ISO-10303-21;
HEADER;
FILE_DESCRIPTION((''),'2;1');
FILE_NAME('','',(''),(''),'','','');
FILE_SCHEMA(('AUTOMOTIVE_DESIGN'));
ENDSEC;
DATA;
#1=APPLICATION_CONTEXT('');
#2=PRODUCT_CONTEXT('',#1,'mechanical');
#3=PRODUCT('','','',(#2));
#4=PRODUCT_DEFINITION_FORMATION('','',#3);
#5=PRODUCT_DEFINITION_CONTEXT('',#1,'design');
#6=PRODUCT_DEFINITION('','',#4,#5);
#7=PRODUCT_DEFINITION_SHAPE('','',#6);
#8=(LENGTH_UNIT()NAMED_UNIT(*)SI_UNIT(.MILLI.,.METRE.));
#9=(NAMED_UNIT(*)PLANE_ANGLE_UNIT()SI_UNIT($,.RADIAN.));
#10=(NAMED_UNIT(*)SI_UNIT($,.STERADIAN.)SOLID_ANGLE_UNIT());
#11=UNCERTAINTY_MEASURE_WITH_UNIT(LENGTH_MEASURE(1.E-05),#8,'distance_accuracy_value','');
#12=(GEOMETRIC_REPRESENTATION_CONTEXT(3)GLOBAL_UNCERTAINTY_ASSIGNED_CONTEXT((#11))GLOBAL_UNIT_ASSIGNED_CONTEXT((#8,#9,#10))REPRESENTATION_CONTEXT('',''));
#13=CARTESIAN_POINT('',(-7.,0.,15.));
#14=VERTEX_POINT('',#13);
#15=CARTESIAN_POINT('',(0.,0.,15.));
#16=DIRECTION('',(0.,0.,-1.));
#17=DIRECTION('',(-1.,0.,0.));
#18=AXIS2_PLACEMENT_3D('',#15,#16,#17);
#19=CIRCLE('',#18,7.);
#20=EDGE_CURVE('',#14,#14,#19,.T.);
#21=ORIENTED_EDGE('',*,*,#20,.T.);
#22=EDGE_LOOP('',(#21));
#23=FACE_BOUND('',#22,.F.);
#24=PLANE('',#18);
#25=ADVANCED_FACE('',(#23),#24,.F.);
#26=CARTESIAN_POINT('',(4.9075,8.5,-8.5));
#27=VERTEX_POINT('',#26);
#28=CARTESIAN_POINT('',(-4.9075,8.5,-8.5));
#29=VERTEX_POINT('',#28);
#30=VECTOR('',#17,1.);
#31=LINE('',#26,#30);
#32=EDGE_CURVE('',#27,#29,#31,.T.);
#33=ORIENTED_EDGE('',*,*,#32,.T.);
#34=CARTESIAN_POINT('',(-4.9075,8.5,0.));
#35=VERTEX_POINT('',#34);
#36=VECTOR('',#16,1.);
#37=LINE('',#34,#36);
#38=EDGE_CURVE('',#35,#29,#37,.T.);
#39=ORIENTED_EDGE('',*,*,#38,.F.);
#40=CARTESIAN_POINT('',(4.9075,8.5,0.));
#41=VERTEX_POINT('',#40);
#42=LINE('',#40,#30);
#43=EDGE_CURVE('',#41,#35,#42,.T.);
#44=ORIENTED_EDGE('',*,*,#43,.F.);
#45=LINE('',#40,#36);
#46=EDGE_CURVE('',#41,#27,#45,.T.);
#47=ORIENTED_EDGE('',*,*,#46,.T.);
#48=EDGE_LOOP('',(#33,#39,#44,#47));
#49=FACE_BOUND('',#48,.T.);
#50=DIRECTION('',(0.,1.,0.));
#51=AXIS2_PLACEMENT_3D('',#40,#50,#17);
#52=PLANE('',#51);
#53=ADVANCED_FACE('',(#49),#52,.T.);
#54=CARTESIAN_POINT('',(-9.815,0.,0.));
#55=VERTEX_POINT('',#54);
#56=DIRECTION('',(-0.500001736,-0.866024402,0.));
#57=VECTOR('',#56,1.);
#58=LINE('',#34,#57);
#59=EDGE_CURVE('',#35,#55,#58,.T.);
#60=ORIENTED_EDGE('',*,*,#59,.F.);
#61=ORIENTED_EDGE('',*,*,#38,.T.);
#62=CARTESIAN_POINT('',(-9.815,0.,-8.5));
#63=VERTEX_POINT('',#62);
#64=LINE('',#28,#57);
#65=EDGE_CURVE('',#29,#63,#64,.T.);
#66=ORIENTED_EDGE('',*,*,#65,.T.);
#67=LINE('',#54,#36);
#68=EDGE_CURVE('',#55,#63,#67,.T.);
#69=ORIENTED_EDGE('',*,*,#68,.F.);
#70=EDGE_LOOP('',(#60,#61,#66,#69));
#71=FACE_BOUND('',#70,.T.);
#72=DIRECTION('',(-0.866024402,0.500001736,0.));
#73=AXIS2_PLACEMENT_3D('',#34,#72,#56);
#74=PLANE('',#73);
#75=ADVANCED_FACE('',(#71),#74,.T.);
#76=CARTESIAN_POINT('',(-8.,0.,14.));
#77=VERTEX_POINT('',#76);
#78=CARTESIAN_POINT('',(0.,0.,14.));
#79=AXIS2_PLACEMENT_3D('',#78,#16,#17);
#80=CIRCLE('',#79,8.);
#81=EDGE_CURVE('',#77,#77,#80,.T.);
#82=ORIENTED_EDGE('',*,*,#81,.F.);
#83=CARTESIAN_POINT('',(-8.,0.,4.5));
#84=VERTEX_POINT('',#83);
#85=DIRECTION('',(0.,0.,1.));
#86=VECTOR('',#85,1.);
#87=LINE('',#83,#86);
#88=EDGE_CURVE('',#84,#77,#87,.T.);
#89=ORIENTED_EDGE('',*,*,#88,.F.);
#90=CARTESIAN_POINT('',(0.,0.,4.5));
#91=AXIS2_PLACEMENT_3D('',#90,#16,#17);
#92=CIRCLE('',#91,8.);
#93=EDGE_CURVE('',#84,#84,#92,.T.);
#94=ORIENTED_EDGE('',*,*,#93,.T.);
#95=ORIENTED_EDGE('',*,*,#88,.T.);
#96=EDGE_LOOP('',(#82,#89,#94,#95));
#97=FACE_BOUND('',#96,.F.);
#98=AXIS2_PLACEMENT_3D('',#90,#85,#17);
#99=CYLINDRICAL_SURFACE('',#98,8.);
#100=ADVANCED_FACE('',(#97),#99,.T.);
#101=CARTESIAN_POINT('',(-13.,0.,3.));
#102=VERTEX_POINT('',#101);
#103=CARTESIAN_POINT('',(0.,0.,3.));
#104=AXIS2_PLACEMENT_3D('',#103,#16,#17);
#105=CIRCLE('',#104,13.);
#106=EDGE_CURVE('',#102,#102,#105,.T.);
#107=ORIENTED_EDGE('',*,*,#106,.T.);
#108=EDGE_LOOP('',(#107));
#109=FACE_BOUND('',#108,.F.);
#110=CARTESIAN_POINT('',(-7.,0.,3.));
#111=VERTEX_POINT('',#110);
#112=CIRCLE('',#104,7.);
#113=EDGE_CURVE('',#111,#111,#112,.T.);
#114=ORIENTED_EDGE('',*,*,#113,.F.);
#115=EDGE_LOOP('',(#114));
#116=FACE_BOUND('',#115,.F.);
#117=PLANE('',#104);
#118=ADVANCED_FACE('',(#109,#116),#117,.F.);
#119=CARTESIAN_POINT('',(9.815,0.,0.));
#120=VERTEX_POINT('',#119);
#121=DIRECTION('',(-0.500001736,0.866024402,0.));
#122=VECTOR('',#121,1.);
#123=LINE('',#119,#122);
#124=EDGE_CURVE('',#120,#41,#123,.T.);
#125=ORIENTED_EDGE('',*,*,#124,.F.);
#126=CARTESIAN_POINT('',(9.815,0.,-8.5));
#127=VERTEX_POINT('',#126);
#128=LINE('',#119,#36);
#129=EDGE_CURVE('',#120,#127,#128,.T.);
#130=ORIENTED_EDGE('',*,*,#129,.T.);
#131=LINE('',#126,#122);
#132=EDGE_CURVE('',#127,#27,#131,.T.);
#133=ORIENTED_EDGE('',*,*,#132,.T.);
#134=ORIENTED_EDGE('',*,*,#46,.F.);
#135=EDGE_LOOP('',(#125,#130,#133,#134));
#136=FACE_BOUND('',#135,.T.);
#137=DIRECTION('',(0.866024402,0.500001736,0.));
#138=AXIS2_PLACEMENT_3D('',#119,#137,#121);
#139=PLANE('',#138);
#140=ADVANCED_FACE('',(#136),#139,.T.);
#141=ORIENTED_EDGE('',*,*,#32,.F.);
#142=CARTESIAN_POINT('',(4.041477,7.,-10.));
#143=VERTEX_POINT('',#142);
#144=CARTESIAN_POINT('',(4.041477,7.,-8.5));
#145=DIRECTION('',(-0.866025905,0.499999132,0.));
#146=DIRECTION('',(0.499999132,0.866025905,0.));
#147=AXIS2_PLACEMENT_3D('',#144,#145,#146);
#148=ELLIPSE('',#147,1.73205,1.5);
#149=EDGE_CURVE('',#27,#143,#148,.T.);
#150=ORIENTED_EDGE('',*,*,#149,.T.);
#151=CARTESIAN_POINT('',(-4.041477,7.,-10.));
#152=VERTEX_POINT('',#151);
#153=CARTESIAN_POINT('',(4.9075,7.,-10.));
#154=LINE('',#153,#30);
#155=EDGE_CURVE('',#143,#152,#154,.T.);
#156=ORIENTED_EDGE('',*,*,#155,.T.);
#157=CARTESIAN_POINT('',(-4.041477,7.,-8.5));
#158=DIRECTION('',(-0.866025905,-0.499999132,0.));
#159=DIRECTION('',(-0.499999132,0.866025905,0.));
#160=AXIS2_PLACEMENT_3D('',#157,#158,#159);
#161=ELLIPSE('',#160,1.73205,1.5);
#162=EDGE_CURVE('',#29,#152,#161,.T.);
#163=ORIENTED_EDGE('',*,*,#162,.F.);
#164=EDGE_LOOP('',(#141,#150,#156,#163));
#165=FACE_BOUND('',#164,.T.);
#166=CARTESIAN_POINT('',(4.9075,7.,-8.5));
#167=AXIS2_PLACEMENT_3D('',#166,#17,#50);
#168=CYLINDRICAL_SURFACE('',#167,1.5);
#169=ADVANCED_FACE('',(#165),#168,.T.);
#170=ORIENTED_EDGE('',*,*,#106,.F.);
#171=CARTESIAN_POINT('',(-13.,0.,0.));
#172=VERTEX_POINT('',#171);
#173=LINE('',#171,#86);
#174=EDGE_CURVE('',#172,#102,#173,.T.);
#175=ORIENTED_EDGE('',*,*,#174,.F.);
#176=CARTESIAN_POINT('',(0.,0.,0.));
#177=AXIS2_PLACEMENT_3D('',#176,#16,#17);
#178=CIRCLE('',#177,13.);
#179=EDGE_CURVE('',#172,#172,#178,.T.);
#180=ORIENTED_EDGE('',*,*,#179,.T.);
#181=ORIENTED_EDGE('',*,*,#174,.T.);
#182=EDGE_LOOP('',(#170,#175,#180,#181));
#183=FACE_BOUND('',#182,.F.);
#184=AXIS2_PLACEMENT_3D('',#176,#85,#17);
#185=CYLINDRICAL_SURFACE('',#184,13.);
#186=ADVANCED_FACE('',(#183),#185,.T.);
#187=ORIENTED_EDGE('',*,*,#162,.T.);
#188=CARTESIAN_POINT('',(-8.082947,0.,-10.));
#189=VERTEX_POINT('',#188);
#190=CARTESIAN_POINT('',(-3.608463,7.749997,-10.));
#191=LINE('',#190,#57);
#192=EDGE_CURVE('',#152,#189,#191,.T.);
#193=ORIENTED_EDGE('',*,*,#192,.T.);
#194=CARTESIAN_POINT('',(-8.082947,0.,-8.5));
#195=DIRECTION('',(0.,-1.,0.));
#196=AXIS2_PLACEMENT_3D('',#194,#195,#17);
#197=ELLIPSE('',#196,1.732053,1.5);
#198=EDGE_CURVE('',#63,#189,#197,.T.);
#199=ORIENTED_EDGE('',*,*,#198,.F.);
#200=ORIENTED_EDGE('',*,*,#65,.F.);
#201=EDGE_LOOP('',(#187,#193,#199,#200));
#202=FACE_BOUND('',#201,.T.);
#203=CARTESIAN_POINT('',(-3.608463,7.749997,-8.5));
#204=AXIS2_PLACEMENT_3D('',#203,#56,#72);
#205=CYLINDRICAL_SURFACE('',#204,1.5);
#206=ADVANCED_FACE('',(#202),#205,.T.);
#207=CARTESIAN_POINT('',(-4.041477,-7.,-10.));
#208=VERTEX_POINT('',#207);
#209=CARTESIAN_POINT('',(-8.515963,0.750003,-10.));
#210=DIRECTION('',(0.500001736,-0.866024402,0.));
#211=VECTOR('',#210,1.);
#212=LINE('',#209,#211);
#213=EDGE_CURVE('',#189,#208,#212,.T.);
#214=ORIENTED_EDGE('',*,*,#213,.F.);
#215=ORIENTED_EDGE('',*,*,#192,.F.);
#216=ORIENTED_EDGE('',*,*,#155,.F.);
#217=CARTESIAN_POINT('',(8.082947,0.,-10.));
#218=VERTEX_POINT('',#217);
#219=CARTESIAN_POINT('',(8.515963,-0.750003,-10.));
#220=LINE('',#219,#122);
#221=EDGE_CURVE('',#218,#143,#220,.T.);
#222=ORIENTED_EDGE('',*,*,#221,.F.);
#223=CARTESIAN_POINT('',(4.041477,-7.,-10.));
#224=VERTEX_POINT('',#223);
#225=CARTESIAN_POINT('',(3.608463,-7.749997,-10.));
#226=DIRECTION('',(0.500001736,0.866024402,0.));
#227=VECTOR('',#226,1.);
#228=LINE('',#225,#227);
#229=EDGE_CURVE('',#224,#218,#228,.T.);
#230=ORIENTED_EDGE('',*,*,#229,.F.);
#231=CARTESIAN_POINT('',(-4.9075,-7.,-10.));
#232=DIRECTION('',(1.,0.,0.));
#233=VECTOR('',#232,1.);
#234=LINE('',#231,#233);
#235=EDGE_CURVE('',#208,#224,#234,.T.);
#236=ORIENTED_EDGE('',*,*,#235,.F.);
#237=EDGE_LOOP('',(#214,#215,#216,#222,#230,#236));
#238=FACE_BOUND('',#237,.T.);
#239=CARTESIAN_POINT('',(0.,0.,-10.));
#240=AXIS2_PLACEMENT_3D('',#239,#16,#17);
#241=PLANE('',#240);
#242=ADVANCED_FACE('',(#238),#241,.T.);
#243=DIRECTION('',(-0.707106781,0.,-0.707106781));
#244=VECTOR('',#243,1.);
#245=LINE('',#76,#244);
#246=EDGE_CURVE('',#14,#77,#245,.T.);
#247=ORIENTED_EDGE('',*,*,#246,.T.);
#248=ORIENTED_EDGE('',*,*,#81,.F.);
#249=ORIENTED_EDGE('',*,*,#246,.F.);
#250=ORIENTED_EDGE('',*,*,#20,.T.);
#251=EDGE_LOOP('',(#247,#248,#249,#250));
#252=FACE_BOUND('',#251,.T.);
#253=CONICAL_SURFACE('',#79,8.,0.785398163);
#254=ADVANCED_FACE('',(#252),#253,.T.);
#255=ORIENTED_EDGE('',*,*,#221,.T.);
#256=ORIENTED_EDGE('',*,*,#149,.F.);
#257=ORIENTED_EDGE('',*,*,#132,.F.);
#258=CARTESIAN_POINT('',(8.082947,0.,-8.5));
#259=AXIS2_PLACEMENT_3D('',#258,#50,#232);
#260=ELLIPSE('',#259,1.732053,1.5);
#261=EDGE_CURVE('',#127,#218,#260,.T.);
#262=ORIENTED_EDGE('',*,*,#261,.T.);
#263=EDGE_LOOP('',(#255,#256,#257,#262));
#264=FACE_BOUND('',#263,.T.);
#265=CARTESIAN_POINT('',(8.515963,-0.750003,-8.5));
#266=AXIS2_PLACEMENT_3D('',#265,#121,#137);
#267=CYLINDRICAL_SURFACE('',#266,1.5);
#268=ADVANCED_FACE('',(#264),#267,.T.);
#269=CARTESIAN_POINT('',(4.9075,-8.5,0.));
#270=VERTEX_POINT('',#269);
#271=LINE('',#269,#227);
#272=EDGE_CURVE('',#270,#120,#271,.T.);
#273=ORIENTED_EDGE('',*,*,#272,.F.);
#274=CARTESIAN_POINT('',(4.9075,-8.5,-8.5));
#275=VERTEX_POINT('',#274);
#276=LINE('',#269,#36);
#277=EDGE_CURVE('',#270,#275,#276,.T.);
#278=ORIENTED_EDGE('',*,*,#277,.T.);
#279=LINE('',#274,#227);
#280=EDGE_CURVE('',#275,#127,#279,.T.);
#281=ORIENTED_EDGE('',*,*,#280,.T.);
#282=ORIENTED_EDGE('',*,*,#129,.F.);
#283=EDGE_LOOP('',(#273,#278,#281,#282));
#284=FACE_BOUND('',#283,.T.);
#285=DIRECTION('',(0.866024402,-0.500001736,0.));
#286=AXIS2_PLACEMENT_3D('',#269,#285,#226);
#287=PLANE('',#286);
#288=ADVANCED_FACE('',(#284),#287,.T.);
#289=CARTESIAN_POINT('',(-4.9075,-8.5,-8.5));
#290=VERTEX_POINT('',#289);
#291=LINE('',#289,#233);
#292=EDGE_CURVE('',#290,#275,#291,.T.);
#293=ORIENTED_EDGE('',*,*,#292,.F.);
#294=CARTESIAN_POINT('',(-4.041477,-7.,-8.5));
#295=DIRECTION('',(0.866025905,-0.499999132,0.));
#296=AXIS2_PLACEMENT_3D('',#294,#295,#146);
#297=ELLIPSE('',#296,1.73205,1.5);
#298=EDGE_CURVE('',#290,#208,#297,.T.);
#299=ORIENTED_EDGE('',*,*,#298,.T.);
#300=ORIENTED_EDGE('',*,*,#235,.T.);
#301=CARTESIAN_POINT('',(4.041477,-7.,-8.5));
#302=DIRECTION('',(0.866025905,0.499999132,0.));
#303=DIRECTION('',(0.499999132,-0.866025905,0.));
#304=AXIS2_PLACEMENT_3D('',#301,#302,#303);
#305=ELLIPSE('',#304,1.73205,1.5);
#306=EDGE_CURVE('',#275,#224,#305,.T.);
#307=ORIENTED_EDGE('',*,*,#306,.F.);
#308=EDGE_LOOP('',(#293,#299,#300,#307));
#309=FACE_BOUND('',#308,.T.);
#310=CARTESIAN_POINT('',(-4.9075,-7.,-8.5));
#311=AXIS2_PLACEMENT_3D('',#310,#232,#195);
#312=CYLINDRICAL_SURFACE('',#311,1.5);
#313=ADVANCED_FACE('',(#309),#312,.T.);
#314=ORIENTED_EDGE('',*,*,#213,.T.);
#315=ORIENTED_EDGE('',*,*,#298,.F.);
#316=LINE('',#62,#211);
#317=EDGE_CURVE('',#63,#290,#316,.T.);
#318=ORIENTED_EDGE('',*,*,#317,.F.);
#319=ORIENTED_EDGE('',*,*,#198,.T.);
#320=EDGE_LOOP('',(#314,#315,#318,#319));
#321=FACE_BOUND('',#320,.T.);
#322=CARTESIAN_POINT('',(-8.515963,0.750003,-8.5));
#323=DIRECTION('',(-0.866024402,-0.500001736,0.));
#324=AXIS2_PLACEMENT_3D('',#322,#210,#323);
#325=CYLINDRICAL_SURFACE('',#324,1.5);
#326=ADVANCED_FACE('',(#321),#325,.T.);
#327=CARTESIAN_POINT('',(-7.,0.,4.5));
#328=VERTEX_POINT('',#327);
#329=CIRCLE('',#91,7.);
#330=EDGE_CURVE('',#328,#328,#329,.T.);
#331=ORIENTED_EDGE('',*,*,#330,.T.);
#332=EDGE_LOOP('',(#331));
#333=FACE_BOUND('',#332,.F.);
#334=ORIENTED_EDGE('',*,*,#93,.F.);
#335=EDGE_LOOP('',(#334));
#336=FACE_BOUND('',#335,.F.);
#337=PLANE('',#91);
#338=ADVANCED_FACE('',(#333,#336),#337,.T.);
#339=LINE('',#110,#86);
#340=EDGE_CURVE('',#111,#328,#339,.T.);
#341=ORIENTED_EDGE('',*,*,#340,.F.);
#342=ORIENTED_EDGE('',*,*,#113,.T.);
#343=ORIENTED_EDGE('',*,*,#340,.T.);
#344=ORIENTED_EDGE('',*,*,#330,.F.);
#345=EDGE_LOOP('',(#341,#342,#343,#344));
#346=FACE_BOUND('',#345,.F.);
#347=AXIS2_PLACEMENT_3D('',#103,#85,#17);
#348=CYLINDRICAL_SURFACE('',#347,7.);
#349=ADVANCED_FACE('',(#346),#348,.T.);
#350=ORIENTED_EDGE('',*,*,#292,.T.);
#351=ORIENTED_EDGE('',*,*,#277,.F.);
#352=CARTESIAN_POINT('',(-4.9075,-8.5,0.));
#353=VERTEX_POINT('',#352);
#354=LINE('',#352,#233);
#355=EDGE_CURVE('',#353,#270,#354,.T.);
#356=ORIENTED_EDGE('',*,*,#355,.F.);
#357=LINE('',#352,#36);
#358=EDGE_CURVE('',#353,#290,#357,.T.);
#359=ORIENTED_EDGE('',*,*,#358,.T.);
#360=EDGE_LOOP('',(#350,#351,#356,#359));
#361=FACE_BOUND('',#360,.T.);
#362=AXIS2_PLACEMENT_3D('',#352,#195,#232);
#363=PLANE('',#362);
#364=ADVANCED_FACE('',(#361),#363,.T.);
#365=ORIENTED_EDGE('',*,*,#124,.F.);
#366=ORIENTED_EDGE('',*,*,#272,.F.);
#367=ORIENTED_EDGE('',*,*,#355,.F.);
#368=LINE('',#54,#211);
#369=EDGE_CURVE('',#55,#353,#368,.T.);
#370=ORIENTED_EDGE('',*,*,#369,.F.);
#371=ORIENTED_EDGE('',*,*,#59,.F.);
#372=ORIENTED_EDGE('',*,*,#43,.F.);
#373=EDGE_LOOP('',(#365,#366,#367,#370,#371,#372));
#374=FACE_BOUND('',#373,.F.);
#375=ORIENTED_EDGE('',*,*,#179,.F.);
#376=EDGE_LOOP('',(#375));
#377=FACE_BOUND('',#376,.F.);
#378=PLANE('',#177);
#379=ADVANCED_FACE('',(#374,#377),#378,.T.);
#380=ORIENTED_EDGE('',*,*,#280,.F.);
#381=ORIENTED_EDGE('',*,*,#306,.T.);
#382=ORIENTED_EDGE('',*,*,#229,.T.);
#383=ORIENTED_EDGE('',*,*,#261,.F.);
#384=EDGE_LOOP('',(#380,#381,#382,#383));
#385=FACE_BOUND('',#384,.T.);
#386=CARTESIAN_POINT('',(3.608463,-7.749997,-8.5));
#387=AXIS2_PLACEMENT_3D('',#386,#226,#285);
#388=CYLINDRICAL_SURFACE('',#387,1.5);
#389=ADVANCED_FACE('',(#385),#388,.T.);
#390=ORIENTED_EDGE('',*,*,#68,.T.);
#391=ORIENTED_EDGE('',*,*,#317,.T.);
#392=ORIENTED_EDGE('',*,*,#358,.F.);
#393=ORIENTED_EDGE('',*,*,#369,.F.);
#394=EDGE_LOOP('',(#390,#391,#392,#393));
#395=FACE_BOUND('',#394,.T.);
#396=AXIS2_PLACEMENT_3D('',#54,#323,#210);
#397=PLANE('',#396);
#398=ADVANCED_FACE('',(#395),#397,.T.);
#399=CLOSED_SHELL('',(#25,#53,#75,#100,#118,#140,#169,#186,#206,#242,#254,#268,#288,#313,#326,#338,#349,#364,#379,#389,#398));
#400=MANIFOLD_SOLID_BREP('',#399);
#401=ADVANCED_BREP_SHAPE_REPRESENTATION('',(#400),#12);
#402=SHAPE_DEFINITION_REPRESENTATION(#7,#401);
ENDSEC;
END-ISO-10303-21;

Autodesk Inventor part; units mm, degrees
ref_plane "YZ Plane" through (0, 0, 0) normal (1, 0, 0) x (0, 1, 0)
ref_plane "XZ Plane" through (0, 0, 0) normal (0, 1, 0) x (-1, 0, 0)
ref_plane "XY Plane" through (0, 0, 0) normal (0, 0, 1) x (1, 0, 0)
sketch "草图1" plane through (0, 0, 0) normal (0, 1, 0) x (-1, 0, 0)
  line L0 (0, 0) -> (13, 0)
  line L1 (13, 0) -> (13, 3)
  line L2 (13, 3) -> (7, 3)
  line L3 (7, 3) -> (7, 4.5)
  line L4 (7, 4.5) -> (8, 4.5)
  line L5 (8, 4.5) -> (8, 15)
  line L6 (8, 15) -> (0, 15)
  line L7 (0, 15) -> (0, 0)
  dimension "d0" = 13
  dimension "d2" = 3
  dimension "d3" = 1.5
  dimension "d4" = 1
  dimension "d5" = 8
  dimension "d6" = 12
revolve "旋转1" add sketch "草图1" angle 360 about axis through (0, 0, 15) along (0, 0, -1)
chamfer "倒角1" distance 1 angle 45 1 edges at (8, 0, 15)
thread "螺纹1" size "M16x1.5" class "6g" standard "GB Metric profile" length 20
sketch "草图2" plane through (0, 0, 0) normal (0, 0, -1) x (-1, 0, 0)
  circle A0 centre (0, 0) radius 8 projected
  line L0 (9.815, 0) -> (4.9075, -8.5)
  line L1 (4.9075, -8.5) -> (-4.9075, -8.5)
  line L2 (-4.9075, -8.5) -> (-9.815, 0)
  line L3 (-9.815, 0) -> (-4.9075, 8.5)
  line L4 (-4.9075, 8.5) -> (4.9075, 8.5)
  line L5 (4.9075, 8.5) -> (9.815, 0)
  point P0 (0, 0)
  dimension "d13" = 17
extrude "拉伸1" add sketch "草图2" along normal blind 10 contours A0 | L0 L1 L2 L3 L4 L5
fillet "圆角1" radius 1.5 6 edges at (0, -8.5, -10) (7.3612, -4.25, -10) (7.3612, 4.25, -10) (0, 8.5, -10) (-7.3612, 4.25, -10) (-7.3612, -4.25, -10)
equation "\"d0\" = 0.5 * D0"
equation "\"d2\" = a"
equation "\"d5\" = 0.5 * d"
equation "\"d6\" = l_"
equation "\"d\" = 16"
equation "\"D0\" = 26"
equation "\"L\" = 23"
equation "\"l_\" = 12"
equation "\"a\" = 3"
equation "\"D\" = 19.6"
equation "\"S_\" = 17"
equation "\"D1\" = 16.2"
equation "\"d1\" = 17"
equation "\"H_\" = 2"
properties part number "排油孔螺塞" material "钢，软"
